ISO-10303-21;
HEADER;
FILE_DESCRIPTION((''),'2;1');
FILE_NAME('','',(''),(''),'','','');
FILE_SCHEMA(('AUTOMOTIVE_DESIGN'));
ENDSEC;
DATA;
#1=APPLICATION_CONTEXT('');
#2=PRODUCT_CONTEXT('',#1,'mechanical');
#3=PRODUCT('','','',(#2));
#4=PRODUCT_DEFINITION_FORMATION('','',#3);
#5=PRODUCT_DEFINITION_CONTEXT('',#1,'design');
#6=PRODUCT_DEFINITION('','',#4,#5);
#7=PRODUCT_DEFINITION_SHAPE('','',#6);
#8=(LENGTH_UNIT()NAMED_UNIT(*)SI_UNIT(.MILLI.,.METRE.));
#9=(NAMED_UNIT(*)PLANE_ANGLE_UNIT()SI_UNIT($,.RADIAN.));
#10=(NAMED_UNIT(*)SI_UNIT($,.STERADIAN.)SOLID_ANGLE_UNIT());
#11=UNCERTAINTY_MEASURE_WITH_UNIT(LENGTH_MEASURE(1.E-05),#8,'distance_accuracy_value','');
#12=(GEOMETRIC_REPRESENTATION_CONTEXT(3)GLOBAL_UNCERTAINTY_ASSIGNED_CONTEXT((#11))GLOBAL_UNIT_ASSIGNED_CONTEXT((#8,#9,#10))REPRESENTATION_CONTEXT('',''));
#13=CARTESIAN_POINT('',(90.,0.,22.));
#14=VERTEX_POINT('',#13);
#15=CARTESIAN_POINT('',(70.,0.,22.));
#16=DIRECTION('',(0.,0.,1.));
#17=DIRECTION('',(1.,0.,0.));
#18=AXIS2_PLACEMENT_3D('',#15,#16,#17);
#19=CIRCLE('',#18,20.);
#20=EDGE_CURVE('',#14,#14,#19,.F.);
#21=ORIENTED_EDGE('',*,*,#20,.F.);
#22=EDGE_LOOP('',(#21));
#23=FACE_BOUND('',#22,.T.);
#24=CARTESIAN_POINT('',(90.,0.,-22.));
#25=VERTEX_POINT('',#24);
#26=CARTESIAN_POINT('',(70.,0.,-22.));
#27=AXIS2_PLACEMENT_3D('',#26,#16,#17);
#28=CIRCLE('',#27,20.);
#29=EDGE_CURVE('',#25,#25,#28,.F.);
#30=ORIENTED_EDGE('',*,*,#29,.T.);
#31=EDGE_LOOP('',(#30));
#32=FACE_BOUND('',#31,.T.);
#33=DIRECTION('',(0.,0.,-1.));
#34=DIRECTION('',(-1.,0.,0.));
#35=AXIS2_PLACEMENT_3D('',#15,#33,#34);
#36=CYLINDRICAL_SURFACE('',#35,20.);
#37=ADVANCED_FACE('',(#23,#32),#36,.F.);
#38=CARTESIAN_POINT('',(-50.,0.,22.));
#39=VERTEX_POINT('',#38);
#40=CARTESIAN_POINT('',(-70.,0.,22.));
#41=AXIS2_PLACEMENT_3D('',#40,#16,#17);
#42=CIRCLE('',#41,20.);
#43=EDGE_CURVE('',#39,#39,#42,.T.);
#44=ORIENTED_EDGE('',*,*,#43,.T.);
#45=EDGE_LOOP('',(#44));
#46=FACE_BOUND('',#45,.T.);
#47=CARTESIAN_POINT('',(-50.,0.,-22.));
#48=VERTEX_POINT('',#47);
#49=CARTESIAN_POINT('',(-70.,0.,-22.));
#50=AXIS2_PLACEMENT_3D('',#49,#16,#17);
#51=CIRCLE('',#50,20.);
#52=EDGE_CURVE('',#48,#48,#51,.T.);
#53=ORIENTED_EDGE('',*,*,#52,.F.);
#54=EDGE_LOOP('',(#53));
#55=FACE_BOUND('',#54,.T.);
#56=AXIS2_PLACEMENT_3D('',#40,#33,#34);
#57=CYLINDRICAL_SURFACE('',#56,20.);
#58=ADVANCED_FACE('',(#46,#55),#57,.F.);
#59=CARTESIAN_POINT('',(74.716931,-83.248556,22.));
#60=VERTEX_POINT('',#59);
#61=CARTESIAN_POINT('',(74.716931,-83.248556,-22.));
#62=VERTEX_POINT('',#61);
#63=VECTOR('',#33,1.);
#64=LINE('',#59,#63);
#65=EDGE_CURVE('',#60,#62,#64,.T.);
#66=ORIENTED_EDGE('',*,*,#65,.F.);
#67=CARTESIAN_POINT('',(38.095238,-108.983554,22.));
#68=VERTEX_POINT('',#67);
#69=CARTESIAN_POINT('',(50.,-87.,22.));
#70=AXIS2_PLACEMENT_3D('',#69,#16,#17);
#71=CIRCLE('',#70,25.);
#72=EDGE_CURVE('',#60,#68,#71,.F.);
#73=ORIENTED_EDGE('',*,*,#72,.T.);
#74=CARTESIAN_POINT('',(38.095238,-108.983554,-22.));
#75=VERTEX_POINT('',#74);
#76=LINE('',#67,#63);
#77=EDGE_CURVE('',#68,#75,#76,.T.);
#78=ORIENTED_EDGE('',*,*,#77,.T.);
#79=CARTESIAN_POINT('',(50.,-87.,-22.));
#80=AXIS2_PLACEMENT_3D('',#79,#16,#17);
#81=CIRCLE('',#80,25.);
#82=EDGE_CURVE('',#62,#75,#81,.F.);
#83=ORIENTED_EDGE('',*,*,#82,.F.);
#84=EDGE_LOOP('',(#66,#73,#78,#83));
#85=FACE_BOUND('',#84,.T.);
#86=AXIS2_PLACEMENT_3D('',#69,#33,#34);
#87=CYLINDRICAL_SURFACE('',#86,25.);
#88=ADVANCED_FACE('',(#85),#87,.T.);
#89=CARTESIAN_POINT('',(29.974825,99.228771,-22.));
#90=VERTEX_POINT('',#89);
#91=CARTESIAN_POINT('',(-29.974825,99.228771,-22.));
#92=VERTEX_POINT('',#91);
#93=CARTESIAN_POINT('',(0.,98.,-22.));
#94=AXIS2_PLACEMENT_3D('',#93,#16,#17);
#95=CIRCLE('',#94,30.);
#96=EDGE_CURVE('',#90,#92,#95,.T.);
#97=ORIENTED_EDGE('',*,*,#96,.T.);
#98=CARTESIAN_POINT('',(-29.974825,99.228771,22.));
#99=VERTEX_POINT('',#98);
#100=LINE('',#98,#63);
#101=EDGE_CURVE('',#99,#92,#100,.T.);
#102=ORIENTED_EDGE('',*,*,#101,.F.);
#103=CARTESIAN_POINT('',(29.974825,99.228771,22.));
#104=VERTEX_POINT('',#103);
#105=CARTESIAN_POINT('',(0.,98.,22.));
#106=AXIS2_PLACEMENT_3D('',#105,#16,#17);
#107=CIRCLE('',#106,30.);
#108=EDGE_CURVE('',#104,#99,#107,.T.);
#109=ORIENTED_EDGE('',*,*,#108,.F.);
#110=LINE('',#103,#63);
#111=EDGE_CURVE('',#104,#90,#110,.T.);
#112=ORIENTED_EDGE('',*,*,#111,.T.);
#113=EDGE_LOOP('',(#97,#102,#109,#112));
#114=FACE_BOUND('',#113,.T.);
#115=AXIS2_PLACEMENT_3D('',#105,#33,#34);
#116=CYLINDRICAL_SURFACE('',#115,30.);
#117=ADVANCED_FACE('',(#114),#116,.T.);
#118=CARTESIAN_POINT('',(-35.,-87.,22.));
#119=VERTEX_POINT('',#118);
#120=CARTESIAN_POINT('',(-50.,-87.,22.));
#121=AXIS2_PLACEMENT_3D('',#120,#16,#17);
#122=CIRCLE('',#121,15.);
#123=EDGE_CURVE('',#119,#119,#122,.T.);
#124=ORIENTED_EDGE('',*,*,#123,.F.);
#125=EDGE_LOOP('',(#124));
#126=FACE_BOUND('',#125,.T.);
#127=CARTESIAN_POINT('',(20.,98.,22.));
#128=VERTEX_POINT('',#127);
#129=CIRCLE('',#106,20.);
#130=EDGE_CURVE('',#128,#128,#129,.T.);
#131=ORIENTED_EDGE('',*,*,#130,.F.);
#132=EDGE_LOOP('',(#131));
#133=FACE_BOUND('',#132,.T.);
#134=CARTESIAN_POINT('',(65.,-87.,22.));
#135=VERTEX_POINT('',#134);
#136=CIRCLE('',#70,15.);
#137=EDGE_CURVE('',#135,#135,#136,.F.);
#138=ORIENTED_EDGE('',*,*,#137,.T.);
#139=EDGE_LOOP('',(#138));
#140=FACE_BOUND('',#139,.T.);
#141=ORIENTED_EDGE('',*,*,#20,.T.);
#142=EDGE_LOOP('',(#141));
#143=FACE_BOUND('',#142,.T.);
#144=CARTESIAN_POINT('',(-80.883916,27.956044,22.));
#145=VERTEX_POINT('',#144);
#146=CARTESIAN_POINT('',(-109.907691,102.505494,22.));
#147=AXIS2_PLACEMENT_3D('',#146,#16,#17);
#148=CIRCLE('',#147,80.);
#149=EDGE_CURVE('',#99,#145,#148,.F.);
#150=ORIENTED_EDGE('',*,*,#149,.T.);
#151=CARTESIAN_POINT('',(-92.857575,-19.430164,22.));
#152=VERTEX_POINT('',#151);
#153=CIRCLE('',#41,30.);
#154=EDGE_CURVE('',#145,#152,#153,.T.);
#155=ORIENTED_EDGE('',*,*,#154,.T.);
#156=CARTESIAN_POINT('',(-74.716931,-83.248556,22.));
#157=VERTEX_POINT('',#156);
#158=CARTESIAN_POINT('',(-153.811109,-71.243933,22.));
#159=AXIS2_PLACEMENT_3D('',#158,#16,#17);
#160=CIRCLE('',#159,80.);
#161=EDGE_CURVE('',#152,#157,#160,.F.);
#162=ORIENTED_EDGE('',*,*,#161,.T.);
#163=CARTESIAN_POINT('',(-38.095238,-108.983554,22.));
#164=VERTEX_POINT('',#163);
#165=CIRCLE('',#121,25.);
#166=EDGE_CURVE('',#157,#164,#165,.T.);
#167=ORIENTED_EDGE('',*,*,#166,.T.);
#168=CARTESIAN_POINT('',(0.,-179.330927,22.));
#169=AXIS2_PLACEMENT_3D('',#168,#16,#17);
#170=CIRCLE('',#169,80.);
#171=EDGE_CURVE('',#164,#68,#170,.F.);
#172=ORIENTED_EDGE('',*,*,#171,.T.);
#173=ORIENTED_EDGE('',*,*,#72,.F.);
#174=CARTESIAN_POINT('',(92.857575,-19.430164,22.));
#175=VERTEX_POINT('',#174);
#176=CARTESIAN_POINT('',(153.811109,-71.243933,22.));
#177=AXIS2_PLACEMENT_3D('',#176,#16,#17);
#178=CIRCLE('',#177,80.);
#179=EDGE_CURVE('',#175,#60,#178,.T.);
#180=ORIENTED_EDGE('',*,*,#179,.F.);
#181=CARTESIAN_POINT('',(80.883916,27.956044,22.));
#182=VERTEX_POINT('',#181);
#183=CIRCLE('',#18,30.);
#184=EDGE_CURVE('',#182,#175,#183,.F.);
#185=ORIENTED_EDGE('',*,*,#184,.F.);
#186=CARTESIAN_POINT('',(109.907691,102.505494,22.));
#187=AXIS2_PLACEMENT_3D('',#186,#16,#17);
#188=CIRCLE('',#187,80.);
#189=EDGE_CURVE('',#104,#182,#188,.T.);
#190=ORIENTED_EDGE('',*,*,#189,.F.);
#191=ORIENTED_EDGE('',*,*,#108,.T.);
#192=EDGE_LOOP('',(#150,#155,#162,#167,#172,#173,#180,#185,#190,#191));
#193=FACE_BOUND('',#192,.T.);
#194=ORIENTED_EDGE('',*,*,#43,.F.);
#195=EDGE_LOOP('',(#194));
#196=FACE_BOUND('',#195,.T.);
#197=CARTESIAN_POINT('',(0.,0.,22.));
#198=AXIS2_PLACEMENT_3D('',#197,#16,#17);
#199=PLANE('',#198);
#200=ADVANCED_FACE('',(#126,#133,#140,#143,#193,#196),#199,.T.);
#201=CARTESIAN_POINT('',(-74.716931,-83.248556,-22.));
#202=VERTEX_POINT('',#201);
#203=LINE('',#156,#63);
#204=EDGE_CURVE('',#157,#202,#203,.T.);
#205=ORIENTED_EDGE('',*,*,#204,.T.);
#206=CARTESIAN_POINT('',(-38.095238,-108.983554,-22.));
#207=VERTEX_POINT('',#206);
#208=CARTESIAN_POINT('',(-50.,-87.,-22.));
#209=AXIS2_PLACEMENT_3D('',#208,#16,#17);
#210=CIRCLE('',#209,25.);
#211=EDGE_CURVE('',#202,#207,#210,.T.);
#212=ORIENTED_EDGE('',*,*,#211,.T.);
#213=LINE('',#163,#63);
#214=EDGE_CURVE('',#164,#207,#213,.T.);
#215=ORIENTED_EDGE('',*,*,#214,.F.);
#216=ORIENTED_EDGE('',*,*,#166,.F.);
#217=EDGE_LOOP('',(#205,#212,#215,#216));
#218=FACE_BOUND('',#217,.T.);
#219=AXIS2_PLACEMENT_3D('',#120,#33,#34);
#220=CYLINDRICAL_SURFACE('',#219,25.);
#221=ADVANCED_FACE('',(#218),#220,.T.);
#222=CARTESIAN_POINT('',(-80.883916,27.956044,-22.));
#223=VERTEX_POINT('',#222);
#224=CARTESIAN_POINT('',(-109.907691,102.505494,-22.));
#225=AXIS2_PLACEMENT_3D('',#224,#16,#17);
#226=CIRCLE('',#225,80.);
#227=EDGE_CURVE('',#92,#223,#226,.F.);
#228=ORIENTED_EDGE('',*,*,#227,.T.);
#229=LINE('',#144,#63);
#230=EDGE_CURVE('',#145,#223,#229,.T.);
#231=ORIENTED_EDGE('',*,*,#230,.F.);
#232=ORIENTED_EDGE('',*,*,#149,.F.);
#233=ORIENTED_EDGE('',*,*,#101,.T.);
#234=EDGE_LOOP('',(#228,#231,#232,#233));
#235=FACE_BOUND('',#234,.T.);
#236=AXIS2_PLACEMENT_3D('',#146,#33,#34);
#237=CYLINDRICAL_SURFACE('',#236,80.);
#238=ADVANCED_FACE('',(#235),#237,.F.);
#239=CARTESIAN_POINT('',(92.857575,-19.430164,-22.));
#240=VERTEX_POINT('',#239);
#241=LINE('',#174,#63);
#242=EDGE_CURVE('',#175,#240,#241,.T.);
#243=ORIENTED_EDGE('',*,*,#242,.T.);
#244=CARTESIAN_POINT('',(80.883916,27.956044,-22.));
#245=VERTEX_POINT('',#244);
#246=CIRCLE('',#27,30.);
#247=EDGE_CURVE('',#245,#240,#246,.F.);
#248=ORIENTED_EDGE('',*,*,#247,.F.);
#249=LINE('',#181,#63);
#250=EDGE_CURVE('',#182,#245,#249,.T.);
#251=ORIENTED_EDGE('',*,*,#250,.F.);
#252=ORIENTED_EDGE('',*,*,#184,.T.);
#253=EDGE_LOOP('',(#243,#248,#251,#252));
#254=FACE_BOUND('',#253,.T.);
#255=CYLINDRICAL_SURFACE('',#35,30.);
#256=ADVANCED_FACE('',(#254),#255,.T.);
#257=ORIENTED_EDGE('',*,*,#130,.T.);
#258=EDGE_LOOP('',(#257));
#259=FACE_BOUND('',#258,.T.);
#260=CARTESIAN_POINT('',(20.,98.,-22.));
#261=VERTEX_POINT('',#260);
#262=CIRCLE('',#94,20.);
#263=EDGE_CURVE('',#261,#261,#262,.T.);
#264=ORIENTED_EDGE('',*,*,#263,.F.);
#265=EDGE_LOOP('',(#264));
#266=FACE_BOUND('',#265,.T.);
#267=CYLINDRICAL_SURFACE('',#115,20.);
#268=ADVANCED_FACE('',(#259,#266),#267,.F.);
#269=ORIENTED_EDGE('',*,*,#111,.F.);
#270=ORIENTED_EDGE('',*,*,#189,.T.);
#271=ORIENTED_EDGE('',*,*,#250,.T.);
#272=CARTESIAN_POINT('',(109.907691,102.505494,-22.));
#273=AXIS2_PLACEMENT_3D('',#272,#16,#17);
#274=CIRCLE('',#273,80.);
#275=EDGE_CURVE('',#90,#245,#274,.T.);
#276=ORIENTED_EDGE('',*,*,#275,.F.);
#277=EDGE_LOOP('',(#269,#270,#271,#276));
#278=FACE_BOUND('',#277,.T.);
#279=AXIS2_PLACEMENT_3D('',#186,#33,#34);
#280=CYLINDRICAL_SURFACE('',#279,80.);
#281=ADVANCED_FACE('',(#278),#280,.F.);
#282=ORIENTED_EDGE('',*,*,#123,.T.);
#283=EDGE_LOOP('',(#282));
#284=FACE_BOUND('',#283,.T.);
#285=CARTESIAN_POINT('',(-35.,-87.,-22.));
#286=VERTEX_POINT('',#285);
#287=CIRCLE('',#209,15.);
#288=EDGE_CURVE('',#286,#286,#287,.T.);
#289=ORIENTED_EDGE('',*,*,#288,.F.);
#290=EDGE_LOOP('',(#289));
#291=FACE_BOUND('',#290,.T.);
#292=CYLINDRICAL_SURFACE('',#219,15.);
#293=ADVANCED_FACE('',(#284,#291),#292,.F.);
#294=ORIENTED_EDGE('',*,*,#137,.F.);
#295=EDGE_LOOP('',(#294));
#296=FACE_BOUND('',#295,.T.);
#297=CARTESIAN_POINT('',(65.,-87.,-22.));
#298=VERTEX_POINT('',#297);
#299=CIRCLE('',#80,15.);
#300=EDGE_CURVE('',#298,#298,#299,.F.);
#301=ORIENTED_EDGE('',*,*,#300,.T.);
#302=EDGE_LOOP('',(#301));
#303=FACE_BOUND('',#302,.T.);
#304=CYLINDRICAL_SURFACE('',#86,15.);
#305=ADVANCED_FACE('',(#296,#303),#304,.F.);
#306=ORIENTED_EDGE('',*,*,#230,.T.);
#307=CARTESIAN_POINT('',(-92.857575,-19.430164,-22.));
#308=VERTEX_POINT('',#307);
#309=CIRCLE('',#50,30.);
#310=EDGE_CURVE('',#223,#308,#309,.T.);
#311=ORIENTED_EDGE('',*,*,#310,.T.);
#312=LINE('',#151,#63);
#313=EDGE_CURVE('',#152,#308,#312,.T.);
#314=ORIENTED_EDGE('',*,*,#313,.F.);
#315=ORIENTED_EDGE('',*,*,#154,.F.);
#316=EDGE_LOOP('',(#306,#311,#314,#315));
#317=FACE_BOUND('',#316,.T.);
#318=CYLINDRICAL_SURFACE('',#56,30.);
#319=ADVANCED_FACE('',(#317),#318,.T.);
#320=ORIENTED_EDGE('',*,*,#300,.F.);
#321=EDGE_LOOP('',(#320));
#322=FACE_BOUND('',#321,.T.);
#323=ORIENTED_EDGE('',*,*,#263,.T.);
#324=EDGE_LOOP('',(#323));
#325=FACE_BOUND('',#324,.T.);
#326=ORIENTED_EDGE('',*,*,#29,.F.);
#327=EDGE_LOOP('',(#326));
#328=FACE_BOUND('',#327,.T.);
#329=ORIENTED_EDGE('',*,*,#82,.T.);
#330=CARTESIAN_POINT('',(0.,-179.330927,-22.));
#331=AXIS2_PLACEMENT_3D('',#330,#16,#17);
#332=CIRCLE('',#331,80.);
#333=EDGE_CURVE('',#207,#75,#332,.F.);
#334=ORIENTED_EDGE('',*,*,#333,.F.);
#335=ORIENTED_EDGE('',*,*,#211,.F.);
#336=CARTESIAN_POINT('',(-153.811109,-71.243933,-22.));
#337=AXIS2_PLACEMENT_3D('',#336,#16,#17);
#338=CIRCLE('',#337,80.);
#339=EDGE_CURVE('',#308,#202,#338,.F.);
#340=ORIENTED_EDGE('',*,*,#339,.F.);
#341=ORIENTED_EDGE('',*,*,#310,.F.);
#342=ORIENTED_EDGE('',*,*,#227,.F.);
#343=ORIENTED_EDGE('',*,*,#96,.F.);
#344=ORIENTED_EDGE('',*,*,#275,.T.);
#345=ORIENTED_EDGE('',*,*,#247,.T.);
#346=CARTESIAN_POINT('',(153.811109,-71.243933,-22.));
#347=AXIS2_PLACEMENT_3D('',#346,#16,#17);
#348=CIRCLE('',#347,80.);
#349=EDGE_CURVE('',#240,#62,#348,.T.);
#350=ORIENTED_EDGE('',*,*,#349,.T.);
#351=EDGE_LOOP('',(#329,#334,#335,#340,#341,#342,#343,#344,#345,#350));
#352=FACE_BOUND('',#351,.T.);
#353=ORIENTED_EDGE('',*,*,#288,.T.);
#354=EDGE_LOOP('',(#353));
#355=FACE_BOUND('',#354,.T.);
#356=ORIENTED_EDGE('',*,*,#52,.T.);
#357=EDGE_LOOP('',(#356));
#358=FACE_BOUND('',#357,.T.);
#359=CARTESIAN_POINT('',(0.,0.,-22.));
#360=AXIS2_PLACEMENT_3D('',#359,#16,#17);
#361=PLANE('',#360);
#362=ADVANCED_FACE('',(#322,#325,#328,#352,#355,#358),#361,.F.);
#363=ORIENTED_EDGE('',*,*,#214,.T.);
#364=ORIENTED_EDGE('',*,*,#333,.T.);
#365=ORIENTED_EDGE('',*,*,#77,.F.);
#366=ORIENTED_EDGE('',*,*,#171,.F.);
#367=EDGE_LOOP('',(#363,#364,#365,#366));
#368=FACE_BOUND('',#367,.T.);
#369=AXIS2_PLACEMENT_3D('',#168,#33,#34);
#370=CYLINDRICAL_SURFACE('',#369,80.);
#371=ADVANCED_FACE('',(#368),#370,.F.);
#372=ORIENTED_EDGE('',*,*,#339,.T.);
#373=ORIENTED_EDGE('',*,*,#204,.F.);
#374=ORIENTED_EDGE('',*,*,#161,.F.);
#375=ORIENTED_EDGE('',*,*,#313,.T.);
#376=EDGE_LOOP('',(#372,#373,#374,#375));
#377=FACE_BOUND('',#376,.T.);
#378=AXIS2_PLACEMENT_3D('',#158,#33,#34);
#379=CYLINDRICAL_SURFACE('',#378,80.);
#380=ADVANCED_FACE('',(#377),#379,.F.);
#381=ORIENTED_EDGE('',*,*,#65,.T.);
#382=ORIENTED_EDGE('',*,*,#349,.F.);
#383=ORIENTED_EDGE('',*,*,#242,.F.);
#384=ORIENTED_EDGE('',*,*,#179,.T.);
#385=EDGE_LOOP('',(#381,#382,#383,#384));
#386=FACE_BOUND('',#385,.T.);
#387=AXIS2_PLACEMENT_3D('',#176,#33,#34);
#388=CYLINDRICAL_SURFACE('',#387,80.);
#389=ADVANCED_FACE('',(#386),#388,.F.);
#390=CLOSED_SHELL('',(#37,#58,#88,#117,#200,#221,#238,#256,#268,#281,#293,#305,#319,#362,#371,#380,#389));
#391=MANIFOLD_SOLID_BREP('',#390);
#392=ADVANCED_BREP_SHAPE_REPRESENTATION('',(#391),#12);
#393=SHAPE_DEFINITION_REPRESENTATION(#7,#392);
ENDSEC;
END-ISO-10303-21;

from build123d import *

# Parameters (mm, degrees)
SKETCH1_R           = 20
SKETCH1_R_2         = 15
BOSS_EXTRUDE1_DEPTH = 22


with BuildPart() as part:
    # Sketch1 → Boss-Extrude1 (new, symmetric)
    with BuildSketch(Plane.XY):
        with BuildLine():
            ThreePointArc((29.974824802, 99.228770963), (0, 128), (-29.974824802, 99.228770963))
            ThreePointArc((-29.974824802, 99.228770963), (-44.809013245, 56.006438032), (-80.883915711, 27.95604369))
            ThreePointArc((-80.883915711, 27.95604369), (-99.085824928, 7.349475372), (-92.857575187, -19.430163575))
            ThreePointArc((-92.857575187, -19.430163575), (-76.859583983, -49.370140698), (-74.716930719, -83.248555502))
            ThreePointArc((-74.716930719, -83.248555502), (-64.373950523, -107.45457275), (-38.095238095, -108.983553944))
            ThreePointArc((-38.095238095, -108.983553944), (0, -99.330926563), (38.095238095, -108.983553944))
            ThreePointArc((38.095238095, -108.983553944), (64.373950523, -107.45457275), (74.716930719, -83.248555502))
            ThreePointArc((74.716930719, -83.248555502), (76.859583983, -49.370140698), (92.857575187, -19.430163575))
            ThreePointArc((92.857575187, -19.430163575), (99.085824928, 7.349475372), (80.883915711, 27.95604369))
            ThreePointArc((80.883915711, 27.95604369), (44.809013245, 56.006438032), (29.974824802, 99.228770963))
        make_face()
        with Locations((0, 98)):
            Circle(SKETCH1_R, mode=Mode.SUBTRACT)
        with Locations((70, 0)):
            Circle(SKETCH1_R, mode=Mode.SUBTRACT)
        with Locations((-70, 0)):
            Circle(SKETCH1_R, mode=Mode.SUBTRACT)
        with Locations((50, -87)):
            Circle(SKETCH1_R_2, mode=Mode.SUBTRACT)
        with Locations((-50, -87)):
            Circle(SKETCH1_R_2, mode=Mode.SUBTRACT)
    extrude(amount=BOSS_EXTRUDE1_DEPTH, both=True)


solid = part.part
